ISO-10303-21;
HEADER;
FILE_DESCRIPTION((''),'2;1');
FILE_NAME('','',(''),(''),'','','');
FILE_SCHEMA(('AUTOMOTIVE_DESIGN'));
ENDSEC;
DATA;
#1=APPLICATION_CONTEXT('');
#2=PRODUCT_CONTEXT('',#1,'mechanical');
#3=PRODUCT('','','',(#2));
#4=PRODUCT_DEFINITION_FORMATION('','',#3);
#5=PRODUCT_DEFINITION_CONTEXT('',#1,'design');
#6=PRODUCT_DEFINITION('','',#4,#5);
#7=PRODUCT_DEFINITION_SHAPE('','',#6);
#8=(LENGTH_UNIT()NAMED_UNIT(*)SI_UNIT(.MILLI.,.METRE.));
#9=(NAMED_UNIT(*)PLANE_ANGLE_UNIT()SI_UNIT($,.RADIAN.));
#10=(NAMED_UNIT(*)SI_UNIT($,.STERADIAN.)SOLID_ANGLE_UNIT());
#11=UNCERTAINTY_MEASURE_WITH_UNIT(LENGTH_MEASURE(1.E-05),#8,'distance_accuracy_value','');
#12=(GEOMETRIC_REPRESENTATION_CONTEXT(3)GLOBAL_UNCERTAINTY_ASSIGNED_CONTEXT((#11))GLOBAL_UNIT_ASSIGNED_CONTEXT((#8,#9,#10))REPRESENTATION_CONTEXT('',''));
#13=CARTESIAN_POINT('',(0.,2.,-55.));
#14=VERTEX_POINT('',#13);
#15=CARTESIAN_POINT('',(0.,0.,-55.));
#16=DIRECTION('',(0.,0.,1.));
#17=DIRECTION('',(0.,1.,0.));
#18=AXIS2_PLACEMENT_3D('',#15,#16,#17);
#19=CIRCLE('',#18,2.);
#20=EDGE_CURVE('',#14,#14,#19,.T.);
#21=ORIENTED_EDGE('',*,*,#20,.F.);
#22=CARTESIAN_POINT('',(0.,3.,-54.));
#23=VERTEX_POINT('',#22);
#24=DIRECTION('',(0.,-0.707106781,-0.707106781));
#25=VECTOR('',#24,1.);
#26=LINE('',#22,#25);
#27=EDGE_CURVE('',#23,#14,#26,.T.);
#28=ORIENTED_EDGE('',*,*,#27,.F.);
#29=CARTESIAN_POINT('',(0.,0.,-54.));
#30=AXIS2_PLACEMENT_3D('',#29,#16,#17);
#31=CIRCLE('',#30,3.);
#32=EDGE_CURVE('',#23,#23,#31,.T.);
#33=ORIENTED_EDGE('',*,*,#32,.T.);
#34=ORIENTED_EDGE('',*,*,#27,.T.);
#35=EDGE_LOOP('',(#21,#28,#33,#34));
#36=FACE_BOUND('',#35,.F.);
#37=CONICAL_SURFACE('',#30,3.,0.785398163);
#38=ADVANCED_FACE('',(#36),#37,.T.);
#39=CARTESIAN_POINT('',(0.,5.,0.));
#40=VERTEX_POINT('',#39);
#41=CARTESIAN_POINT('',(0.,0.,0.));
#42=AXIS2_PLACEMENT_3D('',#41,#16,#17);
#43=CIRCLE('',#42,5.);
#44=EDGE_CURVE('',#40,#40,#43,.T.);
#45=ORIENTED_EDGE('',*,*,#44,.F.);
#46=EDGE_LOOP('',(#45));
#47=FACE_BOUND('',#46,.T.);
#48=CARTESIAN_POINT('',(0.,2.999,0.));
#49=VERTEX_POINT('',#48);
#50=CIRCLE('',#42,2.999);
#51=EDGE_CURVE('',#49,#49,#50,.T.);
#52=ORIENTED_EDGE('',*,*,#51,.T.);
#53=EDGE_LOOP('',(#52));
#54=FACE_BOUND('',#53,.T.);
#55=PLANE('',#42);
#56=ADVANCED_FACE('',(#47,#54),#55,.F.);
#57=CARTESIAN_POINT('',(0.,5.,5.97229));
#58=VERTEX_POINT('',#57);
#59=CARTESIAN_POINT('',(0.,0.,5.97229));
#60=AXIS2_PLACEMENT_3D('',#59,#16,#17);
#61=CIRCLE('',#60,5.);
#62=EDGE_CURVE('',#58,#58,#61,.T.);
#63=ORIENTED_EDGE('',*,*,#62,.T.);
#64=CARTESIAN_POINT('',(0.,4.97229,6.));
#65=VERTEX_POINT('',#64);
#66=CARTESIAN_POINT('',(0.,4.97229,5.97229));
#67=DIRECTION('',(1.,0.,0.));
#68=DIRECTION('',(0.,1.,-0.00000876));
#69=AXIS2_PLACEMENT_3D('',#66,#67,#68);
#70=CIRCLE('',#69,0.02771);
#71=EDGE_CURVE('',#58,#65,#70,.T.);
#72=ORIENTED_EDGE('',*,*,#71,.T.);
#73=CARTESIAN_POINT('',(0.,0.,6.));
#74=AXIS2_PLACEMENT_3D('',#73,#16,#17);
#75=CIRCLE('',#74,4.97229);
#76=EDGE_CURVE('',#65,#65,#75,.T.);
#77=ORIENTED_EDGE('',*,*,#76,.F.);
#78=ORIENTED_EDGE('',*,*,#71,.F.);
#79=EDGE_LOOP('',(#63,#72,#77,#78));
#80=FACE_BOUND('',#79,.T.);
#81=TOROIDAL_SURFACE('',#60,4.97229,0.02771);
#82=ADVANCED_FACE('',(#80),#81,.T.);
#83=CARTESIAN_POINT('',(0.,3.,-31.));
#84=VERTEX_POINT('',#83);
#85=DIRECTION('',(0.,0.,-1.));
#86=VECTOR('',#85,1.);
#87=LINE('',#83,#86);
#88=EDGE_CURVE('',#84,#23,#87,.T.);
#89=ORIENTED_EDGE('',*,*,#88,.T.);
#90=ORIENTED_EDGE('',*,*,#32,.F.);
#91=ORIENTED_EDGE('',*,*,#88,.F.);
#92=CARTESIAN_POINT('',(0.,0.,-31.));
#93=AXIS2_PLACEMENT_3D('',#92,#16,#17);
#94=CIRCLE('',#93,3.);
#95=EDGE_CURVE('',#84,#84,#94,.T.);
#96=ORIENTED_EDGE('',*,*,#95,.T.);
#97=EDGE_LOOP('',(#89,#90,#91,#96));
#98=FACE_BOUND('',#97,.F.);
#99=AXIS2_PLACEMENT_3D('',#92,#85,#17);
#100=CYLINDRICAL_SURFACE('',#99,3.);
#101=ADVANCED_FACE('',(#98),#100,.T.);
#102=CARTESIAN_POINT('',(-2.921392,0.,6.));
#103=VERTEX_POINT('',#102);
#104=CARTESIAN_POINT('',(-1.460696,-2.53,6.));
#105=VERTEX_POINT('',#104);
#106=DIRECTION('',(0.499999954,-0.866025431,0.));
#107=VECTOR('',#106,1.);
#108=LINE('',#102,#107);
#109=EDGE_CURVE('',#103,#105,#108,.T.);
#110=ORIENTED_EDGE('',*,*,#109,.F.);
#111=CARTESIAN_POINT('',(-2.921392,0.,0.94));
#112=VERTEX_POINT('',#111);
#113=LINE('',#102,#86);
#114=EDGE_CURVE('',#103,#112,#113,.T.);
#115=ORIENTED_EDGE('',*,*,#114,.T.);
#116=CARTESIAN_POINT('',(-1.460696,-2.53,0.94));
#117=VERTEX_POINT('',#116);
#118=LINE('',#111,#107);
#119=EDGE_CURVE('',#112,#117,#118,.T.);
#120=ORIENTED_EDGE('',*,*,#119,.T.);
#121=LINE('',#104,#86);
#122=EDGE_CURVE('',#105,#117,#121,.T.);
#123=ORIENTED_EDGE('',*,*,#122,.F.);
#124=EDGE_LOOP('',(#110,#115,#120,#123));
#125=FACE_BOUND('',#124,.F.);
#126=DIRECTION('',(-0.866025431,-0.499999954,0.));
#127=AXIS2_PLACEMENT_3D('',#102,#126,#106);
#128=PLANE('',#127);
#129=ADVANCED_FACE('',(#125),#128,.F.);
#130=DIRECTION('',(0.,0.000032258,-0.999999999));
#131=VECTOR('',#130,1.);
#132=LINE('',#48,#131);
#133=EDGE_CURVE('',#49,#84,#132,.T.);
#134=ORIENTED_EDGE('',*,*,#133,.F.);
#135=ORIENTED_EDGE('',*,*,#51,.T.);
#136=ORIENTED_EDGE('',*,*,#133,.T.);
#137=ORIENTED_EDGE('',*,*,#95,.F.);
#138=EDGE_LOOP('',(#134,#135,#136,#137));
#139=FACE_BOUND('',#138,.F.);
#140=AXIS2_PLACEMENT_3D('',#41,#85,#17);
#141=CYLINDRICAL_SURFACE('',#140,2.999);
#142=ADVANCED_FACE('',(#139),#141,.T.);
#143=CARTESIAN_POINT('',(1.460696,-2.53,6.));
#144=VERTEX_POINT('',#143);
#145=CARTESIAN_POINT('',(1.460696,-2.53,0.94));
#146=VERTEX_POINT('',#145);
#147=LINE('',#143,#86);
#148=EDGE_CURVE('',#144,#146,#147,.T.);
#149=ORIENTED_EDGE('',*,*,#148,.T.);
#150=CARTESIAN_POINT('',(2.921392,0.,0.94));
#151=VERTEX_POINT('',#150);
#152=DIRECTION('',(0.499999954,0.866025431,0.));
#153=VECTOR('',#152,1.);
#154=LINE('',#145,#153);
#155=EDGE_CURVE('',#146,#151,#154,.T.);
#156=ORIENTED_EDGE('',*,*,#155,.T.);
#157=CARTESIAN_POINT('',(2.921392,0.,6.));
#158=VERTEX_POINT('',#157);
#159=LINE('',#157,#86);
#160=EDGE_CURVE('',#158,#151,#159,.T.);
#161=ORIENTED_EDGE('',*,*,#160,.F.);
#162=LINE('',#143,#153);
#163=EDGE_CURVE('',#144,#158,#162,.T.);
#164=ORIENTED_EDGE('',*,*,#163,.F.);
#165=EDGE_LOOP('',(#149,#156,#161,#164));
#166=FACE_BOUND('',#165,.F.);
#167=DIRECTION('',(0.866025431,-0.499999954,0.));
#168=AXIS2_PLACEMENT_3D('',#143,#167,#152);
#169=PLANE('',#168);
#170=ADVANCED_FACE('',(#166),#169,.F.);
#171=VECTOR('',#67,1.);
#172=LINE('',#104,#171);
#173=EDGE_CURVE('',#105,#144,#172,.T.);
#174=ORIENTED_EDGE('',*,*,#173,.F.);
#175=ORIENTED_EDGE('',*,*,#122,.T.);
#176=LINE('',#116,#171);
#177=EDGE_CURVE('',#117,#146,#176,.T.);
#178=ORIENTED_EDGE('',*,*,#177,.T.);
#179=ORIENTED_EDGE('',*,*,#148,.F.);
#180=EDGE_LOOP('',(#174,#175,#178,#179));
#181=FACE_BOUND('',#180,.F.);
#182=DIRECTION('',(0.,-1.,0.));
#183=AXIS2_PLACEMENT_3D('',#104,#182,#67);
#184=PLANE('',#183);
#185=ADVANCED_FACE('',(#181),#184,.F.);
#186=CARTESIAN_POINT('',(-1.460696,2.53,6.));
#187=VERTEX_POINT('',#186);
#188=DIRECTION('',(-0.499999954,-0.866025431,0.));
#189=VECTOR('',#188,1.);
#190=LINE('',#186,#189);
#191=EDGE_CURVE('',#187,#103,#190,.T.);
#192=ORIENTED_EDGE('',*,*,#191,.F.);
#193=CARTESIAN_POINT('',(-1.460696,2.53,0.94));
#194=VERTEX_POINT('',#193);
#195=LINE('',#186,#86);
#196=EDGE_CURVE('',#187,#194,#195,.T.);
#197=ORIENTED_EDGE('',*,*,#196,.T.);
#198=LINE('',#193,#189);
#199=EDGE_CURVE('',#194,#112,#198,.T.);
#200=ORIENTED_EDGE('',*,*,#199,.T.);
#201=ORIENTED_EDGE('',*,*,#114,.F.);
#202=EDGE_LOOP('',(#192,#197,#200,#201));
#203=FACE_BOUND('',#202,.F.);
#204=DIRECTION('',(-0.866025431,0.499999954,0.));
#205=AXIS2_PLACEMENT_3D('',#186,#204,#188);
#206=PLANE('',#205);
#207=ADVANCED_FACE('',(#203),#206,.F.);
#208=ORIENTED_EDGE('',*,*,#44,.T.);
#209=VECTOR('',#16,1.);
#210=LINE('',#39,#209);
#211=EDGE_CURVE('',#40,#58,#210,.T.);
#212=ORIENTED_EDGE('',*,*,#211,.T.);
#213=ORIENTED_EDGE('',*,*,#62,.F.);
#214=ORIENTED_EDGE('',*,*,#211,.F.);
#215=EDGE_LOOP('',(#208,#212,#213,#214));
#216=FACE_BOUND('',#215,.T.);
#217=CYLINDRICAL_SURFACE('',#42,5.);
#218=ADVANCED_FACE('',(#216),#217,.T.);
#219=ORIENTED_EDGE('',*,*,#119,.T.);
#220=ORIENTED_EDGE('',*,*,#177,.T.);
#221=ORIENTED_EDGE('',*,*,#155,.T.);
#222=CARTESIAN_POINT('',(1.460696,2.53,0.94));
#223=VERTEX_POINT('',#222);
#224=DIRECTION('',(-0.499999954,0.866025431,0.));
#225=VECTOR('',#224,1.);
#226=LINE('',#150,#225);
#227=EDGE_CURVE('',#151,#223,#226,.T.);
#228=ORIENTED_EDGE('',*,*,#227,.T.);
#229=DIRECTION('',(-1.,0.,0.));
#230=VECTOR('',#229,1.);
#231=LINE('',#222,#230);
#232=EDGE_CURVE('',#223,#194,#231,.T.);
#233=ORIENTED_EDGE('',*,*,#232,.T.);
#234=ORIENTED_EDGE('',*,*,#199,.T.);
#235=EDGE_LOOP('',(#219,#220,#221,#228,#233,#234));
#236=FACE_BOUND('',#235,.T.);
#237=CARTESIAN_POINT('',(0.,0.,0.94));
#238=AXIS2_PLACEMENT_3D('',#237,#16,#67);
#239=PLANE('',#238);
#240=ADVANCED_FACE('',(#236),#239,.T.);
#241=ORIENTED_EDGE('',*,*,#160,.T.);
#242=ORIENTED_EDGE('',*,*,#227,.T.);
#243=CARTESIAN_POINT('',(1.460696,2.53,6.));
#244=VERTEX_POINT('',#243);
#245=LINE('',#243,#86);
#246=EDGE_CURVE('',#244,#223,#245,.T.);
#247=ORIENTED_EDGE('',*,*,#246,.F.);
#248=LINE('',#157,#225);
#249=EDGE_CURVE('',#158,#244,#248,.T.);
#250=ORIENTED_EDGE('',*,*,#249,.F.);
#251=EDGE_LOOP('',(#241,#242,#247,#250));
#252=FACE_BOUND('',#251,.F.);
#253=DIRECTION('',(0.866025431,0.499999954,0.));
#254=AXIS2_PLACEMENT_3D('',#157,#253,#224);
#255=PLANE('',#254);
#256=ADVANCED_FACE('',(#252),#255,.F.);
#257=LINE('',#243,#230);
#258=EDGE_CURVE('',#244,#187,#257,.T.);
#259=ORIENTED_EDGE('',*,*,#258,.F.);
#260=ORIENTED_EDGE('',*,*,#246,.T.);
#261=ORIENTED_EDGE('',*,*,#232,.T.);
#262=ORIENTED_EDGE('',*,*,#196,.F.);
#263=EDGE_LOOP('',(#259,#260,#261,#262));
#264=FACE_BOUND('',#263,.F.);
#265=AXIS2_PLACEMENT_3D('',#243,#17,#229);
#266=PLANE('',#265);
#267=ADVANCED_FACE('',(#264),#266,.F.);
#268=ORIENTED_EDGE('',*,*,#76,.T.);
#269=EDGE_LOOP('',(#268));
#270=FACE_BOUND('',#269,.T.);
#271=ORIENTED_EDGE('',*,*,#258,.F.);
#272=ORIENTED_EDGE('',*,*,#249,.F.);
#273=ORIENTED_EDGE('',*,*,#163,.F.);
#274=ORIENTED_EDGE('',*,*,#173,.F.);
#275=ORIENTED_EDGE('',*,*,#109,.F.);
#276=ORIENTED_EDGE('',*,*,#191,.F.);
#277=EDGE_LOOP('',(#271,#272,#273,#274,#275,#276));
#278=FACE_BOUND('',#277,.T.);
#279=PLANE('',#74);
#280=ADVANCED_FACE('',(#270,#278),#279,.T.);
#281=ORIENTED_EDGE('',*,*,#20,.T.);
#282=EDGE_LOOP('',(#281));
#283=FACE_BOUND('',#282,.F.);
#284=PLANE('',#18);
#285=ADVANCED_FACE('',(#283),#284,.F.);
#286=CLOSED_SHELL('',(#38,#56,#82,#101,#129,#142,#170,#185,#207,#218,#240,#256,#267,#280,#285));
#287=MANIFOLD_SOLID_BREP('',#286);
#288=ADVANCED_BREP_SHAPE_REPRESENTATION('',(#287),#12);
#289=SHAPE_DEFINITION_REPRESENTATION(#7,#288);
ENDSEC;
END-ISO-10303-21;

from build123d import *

# Parameters (mm, degrees)
POCKET_DEPTH = 5.06


with BuildPart() as part:
    # Sketch → Revolve (revolve)
    with BuildSketch(Plane.YZ):
        with BuildLine():
            Line((2.999, 0), (5, 0))
            Line((5, 0), (5, 5.97229))
            ThreePointArc((5, 5.97229), (4.991884, 5.991884), (4.97229, 6))
            Line((4.97229, 6), (0, 6))
            Line((0, -55), (0, 6))
            Line((2, -55), (0, -55))
            Line((3, -54), (2, -55))
            Line((3, -31), (3, -54))
            Line((2.999, 0), (3, -31))
        make_face()
    revolve(axis=Axis((0, 0, 0), (0, 0, 1)))

    # Sketch001 → Pocket (cut)
    with BuildSketch(Plane.XY.offset(6)):
        Polygon((2.921392, 0), (1.460696, 2.53), (-1.460696, 2.53), (-2.921392, 0), (-1.460696, -2.53), (1.460696, -2.53), align=None)
    extrude(amount=-POCKET_DEPTH, mode=Mode.SUBTRACT)


solid = part.part
